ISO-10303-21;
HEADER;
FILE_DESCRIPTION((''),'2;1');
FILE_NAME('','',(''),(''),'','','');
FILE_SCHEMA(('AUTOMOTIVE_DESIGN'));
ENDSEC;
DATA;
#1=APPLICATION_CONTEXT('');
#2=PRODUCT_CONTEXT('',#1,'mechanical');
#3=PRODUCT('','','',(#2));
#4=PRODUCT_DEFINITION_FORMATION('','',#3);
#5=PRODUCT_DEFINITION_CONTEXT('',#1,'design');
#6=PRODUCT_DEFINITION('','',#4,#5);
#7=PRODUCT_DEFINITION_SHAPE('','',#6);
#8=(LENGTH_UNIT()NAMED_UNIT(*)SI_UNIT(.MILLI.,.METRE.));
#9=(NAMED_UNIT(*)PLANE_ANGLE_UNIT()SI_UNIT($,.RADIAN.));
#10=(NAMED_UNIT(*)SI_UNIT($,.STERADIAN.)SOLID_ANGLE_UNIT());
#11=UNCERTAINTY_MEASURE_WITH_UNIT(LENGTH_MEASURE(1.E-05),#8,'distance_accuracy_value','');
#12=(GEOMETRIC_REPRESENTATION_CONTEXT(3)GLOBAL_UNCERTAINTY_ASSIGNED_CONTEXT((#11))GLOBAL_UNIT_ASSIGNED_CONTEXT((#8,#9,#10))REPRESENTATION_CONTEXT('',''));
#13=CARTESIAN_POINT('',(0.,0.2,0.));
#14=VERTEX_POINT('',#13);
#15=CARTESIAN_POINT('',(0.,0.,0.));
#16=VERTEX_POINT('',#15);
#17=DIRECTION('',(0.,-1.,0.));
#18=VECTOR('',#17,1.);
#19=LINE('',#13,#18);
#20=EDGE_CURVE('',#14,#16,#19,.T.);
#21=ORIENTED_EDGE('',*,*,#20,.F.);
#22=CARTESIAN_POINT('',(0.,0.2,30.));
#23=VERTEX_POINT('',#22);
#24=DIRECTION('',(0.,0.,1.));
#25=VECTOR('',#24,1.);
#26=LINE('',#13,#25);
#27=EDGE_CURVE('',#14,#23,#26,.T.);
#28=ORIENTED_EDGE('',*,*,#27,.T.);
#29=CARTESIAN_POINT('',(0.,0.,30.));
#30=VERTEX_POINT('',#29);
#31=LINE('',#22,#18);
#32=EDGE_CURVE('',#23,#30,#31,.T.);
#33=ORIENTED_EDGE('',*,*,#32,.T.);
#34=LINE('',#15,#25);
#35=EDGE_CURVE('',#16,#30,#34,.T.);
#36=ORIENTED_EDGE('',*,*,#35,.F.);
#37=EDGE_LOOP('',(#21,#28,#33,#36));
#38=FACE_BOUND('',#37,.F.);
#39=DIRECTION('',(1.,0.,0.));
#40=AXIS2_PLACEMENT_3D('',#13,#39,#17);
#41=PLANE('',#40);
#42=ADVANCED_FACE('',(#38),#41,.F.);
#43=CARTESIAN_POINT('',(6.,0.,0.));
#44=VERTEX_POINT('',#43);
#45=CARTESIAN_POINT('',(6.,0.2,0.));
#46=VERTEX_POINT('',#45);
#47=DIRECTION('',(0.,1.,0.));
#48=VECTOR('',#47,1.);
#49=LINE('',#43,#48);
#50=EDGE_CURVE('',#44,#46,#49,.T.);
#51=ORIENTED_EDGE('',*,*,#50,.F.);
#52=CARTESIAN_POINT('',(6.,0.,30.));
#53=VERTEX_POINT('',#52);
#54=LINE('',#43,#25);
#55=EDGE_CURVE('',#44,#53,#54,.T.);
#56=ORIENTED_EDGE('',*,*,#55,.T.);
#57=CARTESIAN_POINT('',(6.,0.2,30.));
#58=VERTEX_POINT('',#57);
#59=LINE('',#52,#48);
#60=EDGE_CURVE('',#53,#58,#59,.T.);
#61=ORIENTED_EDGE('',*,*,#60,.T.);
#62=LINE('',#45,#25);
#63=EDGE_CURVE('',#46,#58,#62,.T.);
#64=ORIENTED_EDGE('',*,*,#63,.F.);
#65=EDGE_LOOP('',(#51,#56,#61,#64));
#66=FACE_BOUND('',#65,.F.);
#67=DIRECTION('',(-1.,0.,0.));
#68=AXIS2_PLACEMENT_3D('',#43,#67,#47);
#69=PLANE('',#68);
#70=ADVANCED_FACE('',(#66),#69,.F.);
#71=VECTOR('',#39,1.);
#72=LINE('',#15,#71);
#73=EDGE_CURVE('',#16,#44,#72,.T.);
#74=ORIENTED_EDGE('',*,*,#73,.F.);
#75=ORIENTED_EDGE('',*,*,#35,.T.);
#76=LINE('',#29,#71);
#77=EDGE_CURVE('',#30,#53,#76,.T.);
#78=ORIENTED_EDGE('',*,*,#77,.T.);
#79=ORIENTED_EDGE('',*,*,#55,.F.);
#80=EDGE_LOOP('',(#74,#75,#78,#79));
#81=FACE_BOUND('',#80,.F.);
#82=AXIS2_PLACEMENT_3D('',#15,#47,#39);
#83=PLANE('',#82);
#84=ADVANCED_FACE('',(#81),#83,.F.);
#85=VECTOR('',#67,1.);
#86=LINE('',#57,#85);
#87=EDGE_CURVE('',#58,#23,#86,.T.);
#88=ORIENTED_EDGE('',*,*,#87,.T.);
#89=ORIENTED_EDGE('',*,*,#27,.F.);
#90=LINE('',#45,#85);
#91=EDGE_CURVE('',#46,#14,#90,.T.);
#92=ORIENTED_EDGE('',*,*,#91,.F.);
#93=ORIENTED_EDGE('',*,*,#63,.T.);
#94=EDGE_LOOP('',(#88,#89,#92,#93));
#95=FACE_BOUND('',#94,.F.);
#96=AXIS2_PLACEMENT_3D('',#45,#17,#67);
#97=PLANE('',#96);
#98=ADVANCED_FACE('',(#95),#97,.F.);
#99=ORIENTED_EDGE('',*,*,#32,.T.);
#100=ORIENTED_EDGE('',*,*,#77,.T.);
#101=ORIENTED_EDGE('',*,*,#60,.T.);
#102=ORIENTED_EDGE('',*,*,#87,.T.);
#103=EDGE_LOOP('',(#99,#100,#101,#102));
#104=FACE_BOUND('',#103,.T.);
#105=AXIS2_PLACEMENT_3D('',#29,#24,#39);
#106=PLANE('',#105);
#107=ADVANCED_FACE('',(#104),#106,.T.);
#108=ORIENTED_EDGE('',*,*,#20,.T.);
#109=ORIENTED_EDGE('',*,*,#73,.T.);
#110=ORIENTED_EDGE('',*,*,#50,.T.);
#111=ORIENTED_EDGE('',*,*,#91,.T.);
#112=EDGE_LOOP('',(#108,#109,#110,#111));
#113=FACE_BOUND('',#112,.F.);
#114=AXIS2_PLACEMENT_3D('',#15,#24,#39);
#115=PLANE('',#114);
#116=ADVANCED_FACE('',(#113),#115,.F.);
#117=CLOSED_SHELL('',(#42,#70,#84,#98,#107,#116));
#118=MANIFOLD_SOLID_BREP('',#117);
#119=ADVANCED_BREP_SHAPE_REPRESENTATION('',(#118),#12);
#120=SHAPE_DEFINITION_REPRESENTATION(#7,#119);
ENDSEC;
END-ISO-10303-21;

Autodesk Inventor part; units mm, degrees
ref_plane "YZ Plane" through (0, 0, 0) normal (1, 0, 0) x (0, 1, 0)
ref_plane "XZ Plane" through (0, 0, 0) normal (0, 1, 0) x (-1, 0, 0)
ref_plane "XY Plane" through (0, 0, 0) normal (0, 0, 1) x (1, 0, 0)
sketch "Sketch1" plane through (0, 0, 0) normal (0, 0, 1) x (1, 0, 0)
  line L0 (0, 0) -> (6, 0)
  line L1 (6, 0) -> (6, 0.2)
  line L2 (6, 0.2) -> (0, 0.2)
  line L3 (0, 0.2) -> (0, 0)
  dimension "d0" = 0.2
  dimension "d1" = 6
extrude "Extrusion1" add sketch "Sketch1" along normal blind 30
properties part number "Foil"
